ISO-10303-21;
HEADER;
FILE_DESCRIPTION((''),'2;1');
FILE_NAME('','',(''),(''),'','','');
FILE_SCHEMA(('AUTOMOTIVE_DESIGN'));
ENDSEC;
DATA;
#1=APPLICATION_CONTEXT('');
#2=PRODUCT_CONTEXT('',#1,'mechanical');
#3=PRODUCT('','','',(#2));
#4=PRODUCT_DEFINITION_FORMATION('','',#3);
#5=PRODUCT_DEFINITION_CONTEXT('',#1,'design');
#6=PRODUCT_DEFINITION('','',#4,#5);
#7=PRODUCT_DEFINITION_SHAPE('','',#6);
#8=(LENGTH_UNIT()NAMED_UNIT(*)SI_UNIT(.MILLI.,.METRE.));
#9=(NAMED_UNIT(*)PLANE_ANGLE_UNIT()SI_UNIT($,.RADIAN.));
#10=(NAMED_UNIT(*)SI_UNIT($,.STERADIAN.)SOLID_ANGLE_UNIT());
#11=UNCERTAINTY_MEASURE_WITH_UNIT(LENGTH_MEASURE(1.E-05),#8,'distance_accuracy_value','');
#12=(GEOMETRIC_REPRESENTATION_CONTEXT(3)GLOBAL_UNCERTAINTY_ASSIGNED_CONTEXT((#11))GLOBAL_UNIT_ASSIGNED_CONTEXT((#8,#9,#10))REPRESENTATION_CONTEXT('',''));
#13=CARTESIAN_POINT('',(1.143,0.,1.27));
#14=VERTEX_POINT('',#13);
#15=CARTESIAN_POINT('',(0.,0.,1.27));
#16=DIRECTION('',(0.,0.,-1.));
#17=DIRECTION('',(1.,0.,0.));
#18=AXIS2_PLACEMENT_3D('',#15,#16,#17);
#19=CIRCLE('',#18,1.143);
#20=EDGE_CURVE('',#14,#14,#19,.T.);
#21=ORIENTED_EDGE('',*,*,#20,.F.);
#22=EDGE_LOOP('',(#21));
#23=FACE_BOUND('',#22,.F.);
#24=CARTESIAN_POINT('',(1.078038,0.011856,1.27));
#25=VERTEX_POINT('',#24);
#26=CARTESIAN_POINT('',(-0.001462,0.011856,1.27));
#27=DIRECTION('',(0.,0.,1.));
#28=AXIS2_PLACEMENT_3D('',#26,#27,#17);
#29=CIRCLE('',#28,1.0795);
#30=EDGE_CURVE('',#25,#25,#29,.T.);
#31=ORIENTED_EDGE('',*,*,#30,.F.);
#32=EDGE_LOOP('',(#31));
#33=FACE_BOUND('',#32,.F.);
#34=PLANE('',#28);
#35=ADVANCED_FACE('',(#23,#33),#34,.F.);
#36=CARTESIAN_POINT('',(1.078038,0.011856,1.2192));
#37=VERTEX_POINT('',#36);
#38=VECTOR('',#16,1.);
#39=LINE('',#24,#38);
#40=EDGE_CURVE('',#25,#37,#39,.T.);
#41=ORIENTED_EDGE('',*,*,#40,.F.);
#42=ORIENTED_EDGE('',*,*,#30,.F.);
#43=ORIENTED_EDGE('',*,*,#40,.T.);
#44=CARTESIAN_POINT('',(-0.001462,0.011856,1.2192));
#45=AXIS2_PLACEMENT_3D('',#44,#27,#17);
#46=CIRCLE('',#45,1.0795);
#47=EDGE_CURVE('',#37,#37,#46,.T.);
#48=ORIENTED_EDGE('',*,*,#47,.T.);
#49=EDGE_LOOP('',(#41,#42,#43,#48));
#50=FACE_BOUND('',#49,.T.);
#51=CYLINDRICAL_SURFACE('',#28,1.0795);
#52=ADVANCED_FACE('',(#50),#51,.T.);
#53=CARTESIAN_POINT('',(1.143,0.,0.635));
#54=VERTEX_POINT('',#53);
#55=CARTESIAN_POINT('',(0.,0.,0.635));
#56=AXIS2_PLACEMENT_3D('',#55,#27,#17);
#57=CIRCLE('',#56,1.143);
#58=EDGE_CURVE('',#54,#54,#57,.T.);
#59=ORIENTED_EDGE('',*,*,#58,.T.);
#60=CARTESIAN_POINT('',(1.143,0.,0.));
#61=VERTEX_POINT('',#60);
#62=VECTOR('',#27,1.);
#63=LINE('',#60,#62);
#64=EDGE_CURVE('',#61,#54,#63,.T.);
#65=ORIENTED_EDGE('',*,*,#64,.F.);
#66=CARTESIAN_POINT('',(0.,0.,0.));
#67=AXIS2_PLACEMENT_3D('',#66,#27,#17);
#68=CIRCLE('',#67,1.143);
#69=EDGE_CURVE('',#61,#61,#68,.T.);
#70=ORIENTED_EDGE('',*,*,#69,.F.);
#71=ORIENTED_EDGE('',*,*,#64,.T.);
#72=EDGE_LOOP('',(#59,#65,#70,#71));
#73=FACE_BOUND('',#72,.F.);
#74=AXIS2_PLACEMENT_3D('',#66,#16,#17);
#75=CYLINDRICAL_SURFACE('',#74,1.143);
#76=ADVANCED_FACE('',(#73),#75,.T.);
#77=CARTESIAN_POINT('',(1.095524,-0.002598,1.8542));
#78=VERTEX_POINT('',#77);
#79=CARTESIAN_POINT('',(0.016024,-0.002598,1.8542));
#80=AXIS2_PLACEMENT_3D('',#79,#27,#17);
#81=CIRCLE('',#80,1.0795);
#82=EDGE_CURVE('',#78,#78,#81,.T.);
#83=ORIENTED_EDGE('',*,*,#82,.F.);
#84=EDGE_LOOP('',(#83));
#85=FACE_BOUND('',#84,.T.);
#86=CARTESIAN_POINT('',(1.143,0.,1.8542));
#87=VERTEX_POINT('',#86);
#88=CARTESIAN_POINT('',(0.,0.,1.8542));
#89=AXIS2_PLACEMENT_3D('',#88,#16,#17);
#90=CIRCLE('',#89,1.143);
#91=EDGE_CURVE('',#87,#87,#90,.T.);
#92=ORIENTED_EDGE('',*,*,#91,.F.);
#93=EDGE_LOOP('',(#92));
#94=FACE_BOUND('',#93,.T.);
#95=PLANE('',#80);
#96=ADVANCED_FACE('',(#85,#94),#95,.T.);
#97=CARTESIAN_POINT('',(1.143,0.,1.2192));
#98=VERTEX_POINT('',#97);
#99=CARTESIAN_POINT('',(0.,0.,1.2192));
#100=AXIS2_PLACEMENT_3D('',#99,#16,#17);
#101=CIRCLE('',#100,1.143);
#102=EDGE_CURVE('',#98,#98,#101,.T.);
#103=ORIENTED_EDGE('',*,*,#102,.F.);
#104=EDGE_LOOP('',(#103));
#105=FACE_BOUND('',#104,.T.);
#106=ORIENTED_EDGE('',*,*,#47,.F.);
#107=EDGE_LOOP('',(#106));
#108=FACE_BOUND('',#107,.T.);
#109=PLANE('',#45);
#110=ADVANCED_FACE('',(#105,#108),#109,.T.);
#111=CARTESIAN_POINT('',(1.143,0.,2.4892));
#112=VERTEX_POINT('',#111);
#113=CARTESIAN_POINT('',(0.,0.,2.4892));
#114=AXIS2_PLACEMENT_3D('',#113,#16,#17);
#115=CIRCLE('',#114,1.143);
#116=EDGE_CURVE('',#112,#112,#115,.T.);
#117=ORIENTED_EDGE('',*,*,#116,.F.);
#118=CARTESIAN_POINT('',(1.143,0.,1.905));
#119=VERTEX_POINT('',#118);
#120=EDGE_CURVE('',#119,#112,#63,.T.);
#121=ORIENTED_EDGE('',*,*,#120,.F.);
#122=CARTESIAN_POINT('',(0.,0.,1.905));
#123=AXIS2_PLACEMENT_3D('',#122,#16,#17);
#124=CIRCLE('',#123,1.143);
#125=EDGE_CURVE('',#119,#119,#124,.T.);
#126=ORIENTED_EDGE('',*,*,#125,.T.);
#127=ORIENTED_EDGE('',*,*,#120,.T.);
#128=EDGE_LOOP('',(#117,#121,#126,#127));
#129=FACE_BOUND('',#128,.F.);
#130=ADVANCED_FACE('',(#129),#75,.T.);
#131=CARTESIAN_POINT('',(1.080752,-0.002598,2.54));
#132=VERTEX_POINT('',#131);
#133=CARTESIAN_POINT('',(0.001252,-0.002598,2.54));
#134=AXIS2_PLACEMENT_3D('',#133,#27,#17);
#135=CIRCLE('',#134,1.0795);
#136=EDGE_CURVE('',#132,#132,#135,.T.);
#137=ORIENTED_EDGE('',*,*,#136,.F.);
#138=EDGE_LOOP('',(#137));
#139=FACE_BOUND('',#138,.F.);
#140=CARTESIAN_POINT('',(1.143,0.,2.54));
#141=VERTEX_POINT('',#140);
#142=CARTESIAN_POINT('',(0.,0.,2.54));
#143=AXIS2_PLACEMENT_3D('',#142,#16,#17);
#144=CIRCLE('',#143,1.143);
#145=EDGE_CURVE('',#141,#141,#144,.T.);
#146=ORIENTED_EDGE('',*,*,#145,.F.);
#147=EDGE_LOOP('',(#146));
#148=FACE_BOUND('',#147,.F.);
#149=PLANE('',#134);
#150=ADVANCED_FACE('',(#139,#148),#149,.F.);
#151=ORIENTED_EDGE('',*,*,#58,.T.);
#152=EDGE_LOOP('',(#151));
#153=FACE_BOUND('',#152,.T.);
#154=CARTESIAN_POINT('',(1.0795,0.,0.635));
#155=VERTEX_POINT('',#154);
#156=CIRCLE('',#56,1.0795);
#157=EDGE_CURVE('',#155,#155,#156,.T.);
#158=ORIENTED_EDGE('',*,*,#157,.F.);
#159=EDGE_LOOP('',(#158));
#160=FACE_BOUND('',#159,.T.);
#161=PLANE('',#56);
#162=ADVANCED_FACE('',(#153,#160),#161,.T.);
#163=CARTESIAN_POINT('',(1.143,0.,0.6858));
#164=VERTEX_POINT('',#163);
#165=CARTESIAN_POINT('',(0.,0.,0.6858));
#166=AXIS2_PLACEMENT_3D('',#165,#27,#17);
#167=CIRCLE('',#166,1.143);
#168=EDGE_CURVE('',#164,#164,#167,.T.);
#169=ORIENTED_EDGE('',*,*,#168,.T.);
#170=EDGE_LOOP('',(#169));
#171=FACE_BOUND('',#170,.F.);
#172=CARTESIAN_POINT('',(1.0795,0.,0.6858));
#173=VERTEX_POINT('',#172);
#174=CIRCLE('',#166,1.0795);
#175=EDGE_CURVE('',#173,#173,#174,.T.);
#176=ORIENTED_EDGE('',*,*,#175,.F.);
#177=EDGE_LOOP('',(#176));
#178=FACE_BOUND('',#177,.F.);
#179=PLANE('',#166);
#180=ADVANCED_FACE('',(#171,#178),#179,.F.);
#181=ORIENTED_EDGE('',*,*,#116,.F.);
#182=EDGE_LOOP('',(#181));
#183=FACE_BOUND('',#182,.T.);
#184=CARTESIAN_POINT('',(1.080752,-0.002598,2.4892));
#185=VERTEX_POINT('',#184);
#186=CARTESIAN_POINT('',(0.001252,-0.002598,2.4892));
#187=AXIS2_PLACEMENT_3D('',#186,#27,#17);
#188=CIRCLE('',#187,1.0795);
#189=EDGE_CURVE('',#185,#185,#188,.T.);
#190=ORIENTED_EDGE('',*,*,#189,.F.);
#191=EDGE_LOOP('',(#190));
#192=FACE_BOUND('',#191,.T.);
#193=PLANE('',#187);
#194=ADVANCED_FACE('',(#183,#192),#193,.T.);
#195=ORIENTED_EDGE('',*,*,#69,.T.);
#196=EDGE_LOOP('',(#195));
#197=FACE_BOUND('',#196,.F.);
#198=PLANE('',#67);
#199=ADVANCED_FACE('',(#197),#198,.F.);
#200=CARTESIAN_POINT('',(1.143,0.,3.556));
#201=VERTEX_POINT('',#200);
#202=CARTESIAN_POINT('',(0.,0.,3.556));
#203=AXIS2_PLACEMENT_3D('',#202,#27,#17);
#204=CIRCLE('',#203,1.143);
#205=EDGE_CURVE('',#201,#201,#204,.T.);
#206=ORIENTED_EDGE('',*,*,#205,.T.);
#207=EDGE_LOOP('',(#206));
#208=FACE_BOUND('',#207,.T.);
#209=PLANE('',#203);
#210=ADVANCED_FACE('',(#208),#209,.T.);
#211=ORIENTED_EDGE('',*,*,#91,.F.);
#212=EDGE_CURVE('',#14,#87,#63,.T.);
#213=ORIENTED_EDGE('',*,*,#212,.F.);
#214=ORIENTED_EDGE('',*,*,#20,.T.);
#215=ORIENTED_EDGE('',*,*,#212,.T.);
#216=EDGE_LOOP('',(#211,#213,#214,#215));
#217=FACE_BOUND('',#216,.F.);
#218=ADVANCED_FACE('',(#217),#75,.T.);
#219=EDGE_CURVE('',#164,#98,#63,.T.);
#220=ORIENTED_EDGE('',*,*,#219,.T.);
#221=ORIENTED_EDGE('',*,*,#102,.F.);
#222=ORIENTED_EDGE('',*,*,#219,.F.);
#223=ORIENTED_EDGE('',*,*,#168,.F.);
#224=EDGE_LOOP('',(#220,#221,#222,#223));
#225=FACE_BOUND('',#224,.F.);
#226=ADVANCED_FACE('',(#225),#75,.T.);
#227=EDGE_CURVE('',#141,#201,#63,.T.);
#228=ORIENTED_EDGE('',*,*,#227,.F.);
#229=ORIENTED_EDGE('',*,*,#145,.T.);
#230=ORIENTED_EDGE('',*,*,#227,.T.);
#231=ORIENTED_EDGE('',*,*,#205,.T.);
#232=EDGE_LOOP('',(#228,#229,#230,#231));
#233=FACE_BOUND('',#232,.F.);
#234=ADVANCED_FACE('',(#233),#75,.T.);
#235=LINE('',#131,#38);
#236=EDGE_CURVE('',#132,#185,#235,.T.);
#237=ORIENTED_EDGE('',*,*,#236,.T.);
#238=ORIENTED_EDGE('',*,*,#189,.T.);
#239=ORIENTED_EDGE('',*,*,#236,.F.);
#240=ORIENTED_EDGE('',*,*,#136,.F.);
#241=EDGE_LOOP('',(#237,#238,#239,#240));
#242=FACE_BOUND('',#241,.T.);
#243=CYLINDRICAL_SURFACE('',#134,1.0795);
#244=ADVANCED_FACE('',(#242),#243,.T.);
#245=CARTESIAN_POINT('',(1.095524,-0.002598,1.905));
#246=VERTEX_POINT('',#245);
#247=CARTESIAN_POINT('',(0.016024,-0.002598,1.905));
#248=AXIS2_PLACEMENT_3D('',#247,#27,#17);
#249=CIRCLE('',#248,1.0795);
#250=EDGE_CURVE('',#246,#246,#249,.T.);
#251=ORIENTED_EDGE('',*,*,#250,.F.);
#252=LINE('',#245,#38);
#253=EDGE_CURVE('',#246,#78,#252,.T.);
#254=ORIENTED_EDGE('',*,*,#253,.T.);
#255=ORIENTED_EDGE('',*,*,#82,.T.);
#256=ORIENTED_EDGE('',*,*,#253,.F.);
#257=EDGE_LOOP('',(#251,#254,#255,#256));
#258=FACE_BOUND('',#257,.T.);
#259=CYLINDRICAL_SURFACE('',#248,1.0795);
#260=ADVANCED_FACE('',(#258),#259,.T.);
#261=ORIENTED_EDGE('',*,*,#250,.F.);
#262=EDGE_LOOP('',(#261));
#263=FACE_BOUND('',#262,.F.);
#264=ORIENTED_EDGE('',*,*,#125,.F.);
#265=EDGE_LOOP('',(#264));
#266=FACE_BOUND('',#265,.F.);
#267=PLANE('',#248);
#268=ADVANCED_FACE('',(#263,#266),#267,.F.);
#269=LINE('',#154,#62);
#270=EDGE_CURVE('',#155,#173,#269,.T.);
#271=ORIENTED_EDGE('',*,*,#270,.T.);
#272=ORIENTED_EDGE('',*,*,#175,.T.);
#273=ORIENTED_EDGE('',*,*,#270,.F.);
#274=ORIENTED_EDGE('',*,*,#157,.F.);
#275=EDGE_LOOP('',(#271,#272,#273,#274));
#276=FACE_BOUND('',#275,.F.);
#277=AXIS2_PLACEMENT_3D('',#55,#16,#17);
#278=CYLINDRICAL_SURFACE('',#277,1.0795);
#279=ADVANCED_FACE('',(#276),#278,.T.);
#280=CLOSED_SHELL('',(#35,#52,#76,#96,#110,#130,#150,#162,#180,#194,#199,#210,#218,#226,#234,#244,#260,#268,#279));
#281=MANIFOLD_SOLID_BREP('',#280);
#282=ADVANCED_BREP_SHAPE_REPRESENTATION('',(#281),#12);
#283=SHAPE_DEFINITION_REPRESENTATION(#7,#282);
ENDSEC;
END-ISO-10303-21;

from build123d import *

# Parameters (mm, degrees)
F0_R      = 1.143
F1_DEPTH  = 3.556
F6_R      = 1.143
F6_R_2    = 1.0795
F7_DEPTH  = 0.0508
F8_R      = 1.1557
F8_R_2    = 1.0795
F9_DEPTH  = 0.0508
F10_R     = 1.1684
F10_R_2   = 1.0795
F11_DEPTH = 0.0508
F12_R     = 1.1557
F12_R_2   = 1.0795
F13_DEPTH = 0.0508


with BuildPart() as f1:
    # F0 (on Top) → F1 (new body)
    with BuildSketch(Plane.XY):
        Circle(F0_R)
    extrude(amount=F1_DEPTH)

    # F6 (on offset) → F7 (cut)
    with BuildSketch(Plane.XY.offset(0.635)):
        Circle(F6_R)
        Circle(F6_R_2, mode=Mode.SUBTRACT)
    extrude(amount=F7_DEPTH, mode=Mode.SUBTRACT)

    # F8 (on offset) → F9 (cut)
    with BuildSketch(Plane.XY.offset(1.27)):
        with Locations((-0.00146219, 0.0118558792)):
            Circle(F8_R)
        with Locations((-0.00146219, 0.0118558792)):
            Circle(F8_R_2, mode=Mode.SUBTRACT)
    extrude(amount=-F9_DEPTH, mode=Mode.SUBTRACT)

    # F10 (on offset) → F11 (cut)
    with BuildSketch(Plane.XY.offset(1.905)):
        with Locations((0.0160238542, -0.0025977133)):
            Circle(F10_R)
        with Locations((0.0160238542, -0.0025977133)):
            Circle(F10_R_2, mode=Mode.SUBTRACT)
    extrude(amount=-F11_DEPTH, mode=Mode.SUBTRACT)

    # F12 (on offset) → F13 (cut)
    with BuildSketch(Plane.XY.offset(2.54)):
        with Locations((0.0012521425, -0.0025977133)):
            Circle(F12_R)
        with Locations((0.0012521425, -0.0025977133)):
            Circle(F12_R_2, mode=Mode.SUBTRACT)
    extrude(amount=-F13_DEPTH, mode=Mode.SUBTRACT)


solid = f1.part
